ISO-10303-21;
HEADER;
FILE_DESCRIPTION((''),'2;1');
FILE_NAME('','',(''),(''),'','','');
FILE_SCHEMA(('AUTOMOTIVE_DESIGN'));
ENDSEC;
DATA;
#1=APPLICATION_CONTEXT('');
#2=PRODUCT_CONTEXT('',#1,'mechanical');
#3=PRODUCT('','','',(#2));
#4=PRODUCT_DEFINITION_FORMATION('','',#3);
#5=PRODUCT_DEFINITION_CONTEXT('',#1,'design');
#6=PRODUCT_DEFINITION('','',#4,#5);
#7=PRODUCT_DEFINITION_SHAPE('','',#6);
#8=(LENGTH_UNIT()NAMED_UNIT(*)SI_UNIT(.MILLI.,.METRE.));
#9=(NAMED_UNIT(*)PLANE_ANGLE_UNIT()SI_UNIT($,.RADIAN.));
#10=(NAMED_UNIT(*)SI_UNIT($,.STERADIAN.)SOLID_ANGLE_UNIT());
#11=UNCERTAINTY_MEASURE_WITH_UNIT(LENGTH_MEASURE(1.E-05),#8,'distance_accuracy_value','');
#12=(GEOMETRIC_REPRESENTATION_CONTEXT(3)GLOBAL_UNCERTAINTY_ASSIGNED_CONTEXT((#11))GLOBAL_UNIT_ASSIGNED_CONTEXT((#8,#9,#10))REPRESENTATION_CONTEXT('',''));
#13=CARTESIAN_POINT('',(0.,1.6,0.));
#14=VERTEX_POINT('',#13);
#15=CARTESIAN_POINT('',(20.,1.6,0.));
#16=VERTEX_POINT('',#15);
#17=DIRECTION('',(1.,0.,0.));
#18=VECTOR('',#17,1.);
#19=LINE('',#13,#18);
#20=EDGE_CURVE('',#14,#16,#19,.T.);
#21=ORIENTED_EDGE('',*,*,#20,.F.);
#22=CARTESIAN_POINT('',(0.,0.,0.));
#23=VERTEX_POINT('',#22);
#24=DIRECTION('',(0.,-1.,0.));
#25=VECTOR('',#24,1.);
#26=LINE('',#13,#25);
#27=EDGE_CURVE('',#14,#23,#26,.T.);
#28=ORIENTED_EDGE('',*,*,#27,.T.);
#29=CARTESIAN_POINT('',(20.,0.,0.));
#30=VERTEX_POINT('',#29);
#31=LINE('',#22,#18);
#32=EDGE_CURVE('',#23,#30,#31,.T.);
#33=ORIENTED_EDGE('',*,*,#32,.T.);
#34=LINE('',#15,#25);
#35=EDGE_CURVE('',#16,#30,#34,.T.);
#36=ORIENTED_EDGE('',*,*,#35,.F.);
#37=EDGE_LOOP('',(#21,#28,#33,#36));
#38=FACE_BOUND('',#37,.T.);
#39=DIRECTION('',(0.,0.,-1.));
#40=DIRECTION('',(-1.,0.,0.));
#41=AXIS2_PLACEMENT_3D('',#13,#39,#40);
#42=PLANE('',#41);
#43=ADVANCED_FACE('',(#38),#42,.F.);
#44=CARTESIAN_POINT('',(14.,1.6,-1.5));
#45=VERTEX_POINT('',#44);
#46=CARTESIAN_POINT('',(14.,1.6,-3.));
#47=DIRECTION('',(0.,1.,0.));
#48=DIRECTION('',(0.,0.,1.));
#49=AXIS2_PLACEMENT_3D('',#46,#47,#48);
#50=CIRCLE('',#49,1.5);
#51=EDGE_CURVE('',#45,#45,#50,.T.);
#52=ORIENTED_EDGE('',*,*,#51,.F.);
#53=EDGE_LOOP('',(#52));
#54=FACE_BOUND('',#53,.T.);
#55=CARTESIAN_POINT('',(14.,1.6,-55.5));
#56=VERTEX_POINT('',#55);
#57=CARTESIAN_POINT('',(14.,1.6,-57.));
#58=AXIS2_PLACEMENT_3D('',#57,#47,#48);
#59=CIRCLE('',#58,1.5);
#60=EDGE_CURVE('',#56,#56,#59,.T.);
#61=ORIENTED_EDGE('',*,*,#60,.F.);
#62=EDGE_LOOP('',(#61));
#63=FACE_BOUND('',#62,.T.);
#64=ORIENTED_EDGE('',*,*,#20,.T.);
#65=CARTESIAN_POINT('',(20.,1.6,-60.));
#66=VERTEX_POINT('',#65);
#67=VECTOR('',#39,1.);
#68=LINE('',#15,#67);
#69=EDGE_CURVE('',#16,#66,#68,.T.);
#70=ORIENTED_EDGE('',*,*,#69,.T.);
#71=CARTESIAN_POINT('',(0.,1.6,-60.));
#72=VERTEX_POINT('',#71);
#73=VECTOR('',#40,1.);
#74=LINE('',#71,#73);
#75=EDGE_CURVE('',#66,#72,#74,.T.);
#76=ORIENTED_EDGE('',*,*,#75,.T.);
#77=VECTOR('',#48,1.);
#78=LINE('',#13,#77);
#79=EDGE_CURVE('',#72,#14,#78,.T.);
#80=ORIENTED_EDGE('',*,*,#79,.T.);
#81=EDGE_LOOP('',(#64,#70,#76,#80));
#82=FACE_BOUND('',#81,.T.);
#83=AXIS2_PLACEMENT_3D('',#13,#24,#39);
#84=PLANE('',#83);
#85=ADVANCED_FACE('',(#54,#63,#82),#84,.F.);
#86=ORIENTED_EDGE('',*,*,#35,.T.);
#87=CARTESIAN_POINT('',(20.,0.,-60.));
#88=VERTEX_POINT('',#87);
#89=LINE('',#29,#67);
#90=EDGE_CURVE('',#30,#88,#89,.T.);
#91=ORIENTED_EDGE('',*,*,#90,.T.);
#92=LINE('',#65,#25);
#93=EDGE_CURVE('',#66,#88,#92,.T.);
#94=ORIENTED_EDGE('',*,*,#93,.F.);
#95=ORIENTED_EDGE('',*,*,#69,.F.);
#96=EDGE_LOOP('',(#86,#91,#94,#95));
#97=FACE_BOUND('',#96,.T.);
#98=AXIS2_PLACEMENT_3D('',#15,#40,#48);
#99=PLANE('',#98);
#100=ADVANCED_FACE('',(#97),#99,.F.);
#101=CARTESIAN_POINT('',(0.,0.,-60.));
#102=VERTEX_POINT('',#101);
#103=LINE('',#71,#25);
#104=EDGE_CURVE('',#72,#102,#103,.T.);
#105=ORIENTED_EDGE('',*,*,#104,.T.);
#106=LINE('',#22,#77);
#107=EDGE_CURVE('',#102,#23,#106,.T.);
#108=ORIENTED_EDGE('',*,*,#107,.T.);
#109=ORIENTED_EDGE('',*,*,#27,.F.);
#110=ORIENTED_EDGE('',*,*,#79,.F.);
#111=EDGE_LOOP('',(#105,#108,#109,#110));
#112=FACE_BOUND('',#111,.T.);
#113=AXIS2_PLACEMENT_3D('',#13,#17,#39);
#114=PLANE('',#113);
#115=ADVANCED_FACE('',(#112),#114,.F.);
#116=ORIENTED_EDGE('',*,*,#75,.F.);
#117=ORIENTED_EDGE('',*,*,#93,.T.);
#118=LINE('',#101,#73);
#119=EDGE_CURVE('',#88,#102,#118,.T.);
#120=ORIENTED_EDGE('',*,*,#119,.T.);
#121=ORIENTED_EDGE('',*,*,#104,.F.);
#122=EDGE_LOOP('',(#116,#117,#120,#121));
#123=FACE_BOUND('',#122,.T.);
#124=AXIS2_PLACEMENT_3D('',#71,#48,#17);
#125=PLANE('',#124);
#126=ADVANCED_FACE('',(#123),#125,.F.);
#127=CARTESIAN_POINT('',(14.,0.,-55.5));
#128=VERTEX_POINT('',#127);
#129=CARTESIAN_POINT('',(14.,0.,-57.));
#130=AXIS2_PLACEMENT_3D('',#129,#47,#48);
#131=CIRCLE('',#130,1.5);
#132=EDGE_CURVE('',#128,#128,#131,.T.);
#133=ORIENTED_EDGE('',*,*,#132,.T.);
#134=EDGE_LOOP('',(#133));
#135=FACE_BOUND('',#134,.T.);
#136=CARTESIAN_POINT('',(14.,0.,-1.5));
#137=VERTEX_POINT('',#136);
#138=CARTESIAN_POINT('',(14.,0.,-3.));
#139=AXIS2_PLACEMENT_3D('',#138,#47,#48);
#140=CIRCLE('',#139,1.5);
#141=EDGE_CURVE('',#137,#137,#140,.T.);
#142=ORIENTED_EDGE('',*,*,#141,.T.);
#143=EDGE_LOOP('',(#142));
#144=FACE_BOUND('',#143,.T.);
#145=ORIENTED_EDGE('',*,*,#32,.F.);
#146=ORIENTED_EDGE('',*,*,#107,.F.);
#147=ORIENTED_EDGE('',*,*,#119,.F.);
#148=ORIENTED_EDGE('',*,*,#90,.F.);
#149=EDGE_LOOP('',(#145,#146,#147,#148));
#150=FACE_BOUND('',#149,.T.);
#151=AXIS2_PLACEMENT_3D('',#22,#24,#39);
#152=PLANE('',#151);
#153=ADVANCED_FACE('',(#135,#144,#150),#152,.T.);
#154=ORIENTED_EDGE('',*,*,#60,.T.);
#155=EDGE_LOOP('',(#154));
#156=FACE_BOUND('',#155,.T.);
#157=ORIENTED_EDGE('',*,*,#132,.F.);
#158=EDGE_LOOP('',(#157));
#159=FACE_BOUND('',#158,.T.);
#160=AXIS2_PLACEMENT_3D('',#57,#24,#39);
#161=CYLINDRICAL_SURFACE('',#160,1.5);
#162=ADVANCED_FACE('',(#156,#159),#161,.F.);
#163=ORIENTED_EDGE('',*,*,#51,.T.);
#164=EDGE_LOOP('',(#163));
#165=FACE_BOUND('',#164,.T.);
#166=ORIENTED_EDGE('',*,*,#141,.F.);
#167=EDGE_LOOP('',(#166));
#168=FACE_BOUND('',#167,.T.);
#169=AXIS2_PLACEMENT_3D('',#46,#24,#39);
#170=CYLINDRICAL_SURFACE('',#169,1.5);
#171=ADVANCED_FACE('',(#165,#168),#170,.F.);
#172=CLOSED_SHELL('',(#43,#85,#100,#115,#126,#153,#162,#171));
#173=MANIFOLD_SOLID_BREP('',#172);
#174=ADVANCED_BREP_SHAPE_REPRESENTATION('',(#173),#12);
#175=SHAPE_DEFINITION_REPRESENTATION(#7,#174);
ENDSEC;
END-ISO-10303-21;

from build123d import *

# Parameters (mm, degrees)
SKETCH1_W       = 20
SKETCH1_H       = 60
SKETCH1_R       = 1.5
PCB_BOARD_DEPTH = 1.6


with BuildPart() as part:
    # Sketch1 → pcb_board (new body)
    with BuildSketch(Plane(origin=(0, 0, 0), x_dir=(1, 0, 0), z_dir=(0, 1, 0))):
        with Locations((10, 30)):
            Rectangle(SKETCH1_W, SKETCH1_H)
        with Locations(Location((14, 3, 0), (0, 0, 270))):
            Circle(SKETCH1_R, mode=Mode.SUBTRACT)
        with Locations(Location((14, 57, 0), (0, 0, 270))):
            Circle(SKETCH1_R, mode=Mode.SUBTRACT)
    extrude(amount=PCB_BOARD_DEPTH)


solid = part.part
